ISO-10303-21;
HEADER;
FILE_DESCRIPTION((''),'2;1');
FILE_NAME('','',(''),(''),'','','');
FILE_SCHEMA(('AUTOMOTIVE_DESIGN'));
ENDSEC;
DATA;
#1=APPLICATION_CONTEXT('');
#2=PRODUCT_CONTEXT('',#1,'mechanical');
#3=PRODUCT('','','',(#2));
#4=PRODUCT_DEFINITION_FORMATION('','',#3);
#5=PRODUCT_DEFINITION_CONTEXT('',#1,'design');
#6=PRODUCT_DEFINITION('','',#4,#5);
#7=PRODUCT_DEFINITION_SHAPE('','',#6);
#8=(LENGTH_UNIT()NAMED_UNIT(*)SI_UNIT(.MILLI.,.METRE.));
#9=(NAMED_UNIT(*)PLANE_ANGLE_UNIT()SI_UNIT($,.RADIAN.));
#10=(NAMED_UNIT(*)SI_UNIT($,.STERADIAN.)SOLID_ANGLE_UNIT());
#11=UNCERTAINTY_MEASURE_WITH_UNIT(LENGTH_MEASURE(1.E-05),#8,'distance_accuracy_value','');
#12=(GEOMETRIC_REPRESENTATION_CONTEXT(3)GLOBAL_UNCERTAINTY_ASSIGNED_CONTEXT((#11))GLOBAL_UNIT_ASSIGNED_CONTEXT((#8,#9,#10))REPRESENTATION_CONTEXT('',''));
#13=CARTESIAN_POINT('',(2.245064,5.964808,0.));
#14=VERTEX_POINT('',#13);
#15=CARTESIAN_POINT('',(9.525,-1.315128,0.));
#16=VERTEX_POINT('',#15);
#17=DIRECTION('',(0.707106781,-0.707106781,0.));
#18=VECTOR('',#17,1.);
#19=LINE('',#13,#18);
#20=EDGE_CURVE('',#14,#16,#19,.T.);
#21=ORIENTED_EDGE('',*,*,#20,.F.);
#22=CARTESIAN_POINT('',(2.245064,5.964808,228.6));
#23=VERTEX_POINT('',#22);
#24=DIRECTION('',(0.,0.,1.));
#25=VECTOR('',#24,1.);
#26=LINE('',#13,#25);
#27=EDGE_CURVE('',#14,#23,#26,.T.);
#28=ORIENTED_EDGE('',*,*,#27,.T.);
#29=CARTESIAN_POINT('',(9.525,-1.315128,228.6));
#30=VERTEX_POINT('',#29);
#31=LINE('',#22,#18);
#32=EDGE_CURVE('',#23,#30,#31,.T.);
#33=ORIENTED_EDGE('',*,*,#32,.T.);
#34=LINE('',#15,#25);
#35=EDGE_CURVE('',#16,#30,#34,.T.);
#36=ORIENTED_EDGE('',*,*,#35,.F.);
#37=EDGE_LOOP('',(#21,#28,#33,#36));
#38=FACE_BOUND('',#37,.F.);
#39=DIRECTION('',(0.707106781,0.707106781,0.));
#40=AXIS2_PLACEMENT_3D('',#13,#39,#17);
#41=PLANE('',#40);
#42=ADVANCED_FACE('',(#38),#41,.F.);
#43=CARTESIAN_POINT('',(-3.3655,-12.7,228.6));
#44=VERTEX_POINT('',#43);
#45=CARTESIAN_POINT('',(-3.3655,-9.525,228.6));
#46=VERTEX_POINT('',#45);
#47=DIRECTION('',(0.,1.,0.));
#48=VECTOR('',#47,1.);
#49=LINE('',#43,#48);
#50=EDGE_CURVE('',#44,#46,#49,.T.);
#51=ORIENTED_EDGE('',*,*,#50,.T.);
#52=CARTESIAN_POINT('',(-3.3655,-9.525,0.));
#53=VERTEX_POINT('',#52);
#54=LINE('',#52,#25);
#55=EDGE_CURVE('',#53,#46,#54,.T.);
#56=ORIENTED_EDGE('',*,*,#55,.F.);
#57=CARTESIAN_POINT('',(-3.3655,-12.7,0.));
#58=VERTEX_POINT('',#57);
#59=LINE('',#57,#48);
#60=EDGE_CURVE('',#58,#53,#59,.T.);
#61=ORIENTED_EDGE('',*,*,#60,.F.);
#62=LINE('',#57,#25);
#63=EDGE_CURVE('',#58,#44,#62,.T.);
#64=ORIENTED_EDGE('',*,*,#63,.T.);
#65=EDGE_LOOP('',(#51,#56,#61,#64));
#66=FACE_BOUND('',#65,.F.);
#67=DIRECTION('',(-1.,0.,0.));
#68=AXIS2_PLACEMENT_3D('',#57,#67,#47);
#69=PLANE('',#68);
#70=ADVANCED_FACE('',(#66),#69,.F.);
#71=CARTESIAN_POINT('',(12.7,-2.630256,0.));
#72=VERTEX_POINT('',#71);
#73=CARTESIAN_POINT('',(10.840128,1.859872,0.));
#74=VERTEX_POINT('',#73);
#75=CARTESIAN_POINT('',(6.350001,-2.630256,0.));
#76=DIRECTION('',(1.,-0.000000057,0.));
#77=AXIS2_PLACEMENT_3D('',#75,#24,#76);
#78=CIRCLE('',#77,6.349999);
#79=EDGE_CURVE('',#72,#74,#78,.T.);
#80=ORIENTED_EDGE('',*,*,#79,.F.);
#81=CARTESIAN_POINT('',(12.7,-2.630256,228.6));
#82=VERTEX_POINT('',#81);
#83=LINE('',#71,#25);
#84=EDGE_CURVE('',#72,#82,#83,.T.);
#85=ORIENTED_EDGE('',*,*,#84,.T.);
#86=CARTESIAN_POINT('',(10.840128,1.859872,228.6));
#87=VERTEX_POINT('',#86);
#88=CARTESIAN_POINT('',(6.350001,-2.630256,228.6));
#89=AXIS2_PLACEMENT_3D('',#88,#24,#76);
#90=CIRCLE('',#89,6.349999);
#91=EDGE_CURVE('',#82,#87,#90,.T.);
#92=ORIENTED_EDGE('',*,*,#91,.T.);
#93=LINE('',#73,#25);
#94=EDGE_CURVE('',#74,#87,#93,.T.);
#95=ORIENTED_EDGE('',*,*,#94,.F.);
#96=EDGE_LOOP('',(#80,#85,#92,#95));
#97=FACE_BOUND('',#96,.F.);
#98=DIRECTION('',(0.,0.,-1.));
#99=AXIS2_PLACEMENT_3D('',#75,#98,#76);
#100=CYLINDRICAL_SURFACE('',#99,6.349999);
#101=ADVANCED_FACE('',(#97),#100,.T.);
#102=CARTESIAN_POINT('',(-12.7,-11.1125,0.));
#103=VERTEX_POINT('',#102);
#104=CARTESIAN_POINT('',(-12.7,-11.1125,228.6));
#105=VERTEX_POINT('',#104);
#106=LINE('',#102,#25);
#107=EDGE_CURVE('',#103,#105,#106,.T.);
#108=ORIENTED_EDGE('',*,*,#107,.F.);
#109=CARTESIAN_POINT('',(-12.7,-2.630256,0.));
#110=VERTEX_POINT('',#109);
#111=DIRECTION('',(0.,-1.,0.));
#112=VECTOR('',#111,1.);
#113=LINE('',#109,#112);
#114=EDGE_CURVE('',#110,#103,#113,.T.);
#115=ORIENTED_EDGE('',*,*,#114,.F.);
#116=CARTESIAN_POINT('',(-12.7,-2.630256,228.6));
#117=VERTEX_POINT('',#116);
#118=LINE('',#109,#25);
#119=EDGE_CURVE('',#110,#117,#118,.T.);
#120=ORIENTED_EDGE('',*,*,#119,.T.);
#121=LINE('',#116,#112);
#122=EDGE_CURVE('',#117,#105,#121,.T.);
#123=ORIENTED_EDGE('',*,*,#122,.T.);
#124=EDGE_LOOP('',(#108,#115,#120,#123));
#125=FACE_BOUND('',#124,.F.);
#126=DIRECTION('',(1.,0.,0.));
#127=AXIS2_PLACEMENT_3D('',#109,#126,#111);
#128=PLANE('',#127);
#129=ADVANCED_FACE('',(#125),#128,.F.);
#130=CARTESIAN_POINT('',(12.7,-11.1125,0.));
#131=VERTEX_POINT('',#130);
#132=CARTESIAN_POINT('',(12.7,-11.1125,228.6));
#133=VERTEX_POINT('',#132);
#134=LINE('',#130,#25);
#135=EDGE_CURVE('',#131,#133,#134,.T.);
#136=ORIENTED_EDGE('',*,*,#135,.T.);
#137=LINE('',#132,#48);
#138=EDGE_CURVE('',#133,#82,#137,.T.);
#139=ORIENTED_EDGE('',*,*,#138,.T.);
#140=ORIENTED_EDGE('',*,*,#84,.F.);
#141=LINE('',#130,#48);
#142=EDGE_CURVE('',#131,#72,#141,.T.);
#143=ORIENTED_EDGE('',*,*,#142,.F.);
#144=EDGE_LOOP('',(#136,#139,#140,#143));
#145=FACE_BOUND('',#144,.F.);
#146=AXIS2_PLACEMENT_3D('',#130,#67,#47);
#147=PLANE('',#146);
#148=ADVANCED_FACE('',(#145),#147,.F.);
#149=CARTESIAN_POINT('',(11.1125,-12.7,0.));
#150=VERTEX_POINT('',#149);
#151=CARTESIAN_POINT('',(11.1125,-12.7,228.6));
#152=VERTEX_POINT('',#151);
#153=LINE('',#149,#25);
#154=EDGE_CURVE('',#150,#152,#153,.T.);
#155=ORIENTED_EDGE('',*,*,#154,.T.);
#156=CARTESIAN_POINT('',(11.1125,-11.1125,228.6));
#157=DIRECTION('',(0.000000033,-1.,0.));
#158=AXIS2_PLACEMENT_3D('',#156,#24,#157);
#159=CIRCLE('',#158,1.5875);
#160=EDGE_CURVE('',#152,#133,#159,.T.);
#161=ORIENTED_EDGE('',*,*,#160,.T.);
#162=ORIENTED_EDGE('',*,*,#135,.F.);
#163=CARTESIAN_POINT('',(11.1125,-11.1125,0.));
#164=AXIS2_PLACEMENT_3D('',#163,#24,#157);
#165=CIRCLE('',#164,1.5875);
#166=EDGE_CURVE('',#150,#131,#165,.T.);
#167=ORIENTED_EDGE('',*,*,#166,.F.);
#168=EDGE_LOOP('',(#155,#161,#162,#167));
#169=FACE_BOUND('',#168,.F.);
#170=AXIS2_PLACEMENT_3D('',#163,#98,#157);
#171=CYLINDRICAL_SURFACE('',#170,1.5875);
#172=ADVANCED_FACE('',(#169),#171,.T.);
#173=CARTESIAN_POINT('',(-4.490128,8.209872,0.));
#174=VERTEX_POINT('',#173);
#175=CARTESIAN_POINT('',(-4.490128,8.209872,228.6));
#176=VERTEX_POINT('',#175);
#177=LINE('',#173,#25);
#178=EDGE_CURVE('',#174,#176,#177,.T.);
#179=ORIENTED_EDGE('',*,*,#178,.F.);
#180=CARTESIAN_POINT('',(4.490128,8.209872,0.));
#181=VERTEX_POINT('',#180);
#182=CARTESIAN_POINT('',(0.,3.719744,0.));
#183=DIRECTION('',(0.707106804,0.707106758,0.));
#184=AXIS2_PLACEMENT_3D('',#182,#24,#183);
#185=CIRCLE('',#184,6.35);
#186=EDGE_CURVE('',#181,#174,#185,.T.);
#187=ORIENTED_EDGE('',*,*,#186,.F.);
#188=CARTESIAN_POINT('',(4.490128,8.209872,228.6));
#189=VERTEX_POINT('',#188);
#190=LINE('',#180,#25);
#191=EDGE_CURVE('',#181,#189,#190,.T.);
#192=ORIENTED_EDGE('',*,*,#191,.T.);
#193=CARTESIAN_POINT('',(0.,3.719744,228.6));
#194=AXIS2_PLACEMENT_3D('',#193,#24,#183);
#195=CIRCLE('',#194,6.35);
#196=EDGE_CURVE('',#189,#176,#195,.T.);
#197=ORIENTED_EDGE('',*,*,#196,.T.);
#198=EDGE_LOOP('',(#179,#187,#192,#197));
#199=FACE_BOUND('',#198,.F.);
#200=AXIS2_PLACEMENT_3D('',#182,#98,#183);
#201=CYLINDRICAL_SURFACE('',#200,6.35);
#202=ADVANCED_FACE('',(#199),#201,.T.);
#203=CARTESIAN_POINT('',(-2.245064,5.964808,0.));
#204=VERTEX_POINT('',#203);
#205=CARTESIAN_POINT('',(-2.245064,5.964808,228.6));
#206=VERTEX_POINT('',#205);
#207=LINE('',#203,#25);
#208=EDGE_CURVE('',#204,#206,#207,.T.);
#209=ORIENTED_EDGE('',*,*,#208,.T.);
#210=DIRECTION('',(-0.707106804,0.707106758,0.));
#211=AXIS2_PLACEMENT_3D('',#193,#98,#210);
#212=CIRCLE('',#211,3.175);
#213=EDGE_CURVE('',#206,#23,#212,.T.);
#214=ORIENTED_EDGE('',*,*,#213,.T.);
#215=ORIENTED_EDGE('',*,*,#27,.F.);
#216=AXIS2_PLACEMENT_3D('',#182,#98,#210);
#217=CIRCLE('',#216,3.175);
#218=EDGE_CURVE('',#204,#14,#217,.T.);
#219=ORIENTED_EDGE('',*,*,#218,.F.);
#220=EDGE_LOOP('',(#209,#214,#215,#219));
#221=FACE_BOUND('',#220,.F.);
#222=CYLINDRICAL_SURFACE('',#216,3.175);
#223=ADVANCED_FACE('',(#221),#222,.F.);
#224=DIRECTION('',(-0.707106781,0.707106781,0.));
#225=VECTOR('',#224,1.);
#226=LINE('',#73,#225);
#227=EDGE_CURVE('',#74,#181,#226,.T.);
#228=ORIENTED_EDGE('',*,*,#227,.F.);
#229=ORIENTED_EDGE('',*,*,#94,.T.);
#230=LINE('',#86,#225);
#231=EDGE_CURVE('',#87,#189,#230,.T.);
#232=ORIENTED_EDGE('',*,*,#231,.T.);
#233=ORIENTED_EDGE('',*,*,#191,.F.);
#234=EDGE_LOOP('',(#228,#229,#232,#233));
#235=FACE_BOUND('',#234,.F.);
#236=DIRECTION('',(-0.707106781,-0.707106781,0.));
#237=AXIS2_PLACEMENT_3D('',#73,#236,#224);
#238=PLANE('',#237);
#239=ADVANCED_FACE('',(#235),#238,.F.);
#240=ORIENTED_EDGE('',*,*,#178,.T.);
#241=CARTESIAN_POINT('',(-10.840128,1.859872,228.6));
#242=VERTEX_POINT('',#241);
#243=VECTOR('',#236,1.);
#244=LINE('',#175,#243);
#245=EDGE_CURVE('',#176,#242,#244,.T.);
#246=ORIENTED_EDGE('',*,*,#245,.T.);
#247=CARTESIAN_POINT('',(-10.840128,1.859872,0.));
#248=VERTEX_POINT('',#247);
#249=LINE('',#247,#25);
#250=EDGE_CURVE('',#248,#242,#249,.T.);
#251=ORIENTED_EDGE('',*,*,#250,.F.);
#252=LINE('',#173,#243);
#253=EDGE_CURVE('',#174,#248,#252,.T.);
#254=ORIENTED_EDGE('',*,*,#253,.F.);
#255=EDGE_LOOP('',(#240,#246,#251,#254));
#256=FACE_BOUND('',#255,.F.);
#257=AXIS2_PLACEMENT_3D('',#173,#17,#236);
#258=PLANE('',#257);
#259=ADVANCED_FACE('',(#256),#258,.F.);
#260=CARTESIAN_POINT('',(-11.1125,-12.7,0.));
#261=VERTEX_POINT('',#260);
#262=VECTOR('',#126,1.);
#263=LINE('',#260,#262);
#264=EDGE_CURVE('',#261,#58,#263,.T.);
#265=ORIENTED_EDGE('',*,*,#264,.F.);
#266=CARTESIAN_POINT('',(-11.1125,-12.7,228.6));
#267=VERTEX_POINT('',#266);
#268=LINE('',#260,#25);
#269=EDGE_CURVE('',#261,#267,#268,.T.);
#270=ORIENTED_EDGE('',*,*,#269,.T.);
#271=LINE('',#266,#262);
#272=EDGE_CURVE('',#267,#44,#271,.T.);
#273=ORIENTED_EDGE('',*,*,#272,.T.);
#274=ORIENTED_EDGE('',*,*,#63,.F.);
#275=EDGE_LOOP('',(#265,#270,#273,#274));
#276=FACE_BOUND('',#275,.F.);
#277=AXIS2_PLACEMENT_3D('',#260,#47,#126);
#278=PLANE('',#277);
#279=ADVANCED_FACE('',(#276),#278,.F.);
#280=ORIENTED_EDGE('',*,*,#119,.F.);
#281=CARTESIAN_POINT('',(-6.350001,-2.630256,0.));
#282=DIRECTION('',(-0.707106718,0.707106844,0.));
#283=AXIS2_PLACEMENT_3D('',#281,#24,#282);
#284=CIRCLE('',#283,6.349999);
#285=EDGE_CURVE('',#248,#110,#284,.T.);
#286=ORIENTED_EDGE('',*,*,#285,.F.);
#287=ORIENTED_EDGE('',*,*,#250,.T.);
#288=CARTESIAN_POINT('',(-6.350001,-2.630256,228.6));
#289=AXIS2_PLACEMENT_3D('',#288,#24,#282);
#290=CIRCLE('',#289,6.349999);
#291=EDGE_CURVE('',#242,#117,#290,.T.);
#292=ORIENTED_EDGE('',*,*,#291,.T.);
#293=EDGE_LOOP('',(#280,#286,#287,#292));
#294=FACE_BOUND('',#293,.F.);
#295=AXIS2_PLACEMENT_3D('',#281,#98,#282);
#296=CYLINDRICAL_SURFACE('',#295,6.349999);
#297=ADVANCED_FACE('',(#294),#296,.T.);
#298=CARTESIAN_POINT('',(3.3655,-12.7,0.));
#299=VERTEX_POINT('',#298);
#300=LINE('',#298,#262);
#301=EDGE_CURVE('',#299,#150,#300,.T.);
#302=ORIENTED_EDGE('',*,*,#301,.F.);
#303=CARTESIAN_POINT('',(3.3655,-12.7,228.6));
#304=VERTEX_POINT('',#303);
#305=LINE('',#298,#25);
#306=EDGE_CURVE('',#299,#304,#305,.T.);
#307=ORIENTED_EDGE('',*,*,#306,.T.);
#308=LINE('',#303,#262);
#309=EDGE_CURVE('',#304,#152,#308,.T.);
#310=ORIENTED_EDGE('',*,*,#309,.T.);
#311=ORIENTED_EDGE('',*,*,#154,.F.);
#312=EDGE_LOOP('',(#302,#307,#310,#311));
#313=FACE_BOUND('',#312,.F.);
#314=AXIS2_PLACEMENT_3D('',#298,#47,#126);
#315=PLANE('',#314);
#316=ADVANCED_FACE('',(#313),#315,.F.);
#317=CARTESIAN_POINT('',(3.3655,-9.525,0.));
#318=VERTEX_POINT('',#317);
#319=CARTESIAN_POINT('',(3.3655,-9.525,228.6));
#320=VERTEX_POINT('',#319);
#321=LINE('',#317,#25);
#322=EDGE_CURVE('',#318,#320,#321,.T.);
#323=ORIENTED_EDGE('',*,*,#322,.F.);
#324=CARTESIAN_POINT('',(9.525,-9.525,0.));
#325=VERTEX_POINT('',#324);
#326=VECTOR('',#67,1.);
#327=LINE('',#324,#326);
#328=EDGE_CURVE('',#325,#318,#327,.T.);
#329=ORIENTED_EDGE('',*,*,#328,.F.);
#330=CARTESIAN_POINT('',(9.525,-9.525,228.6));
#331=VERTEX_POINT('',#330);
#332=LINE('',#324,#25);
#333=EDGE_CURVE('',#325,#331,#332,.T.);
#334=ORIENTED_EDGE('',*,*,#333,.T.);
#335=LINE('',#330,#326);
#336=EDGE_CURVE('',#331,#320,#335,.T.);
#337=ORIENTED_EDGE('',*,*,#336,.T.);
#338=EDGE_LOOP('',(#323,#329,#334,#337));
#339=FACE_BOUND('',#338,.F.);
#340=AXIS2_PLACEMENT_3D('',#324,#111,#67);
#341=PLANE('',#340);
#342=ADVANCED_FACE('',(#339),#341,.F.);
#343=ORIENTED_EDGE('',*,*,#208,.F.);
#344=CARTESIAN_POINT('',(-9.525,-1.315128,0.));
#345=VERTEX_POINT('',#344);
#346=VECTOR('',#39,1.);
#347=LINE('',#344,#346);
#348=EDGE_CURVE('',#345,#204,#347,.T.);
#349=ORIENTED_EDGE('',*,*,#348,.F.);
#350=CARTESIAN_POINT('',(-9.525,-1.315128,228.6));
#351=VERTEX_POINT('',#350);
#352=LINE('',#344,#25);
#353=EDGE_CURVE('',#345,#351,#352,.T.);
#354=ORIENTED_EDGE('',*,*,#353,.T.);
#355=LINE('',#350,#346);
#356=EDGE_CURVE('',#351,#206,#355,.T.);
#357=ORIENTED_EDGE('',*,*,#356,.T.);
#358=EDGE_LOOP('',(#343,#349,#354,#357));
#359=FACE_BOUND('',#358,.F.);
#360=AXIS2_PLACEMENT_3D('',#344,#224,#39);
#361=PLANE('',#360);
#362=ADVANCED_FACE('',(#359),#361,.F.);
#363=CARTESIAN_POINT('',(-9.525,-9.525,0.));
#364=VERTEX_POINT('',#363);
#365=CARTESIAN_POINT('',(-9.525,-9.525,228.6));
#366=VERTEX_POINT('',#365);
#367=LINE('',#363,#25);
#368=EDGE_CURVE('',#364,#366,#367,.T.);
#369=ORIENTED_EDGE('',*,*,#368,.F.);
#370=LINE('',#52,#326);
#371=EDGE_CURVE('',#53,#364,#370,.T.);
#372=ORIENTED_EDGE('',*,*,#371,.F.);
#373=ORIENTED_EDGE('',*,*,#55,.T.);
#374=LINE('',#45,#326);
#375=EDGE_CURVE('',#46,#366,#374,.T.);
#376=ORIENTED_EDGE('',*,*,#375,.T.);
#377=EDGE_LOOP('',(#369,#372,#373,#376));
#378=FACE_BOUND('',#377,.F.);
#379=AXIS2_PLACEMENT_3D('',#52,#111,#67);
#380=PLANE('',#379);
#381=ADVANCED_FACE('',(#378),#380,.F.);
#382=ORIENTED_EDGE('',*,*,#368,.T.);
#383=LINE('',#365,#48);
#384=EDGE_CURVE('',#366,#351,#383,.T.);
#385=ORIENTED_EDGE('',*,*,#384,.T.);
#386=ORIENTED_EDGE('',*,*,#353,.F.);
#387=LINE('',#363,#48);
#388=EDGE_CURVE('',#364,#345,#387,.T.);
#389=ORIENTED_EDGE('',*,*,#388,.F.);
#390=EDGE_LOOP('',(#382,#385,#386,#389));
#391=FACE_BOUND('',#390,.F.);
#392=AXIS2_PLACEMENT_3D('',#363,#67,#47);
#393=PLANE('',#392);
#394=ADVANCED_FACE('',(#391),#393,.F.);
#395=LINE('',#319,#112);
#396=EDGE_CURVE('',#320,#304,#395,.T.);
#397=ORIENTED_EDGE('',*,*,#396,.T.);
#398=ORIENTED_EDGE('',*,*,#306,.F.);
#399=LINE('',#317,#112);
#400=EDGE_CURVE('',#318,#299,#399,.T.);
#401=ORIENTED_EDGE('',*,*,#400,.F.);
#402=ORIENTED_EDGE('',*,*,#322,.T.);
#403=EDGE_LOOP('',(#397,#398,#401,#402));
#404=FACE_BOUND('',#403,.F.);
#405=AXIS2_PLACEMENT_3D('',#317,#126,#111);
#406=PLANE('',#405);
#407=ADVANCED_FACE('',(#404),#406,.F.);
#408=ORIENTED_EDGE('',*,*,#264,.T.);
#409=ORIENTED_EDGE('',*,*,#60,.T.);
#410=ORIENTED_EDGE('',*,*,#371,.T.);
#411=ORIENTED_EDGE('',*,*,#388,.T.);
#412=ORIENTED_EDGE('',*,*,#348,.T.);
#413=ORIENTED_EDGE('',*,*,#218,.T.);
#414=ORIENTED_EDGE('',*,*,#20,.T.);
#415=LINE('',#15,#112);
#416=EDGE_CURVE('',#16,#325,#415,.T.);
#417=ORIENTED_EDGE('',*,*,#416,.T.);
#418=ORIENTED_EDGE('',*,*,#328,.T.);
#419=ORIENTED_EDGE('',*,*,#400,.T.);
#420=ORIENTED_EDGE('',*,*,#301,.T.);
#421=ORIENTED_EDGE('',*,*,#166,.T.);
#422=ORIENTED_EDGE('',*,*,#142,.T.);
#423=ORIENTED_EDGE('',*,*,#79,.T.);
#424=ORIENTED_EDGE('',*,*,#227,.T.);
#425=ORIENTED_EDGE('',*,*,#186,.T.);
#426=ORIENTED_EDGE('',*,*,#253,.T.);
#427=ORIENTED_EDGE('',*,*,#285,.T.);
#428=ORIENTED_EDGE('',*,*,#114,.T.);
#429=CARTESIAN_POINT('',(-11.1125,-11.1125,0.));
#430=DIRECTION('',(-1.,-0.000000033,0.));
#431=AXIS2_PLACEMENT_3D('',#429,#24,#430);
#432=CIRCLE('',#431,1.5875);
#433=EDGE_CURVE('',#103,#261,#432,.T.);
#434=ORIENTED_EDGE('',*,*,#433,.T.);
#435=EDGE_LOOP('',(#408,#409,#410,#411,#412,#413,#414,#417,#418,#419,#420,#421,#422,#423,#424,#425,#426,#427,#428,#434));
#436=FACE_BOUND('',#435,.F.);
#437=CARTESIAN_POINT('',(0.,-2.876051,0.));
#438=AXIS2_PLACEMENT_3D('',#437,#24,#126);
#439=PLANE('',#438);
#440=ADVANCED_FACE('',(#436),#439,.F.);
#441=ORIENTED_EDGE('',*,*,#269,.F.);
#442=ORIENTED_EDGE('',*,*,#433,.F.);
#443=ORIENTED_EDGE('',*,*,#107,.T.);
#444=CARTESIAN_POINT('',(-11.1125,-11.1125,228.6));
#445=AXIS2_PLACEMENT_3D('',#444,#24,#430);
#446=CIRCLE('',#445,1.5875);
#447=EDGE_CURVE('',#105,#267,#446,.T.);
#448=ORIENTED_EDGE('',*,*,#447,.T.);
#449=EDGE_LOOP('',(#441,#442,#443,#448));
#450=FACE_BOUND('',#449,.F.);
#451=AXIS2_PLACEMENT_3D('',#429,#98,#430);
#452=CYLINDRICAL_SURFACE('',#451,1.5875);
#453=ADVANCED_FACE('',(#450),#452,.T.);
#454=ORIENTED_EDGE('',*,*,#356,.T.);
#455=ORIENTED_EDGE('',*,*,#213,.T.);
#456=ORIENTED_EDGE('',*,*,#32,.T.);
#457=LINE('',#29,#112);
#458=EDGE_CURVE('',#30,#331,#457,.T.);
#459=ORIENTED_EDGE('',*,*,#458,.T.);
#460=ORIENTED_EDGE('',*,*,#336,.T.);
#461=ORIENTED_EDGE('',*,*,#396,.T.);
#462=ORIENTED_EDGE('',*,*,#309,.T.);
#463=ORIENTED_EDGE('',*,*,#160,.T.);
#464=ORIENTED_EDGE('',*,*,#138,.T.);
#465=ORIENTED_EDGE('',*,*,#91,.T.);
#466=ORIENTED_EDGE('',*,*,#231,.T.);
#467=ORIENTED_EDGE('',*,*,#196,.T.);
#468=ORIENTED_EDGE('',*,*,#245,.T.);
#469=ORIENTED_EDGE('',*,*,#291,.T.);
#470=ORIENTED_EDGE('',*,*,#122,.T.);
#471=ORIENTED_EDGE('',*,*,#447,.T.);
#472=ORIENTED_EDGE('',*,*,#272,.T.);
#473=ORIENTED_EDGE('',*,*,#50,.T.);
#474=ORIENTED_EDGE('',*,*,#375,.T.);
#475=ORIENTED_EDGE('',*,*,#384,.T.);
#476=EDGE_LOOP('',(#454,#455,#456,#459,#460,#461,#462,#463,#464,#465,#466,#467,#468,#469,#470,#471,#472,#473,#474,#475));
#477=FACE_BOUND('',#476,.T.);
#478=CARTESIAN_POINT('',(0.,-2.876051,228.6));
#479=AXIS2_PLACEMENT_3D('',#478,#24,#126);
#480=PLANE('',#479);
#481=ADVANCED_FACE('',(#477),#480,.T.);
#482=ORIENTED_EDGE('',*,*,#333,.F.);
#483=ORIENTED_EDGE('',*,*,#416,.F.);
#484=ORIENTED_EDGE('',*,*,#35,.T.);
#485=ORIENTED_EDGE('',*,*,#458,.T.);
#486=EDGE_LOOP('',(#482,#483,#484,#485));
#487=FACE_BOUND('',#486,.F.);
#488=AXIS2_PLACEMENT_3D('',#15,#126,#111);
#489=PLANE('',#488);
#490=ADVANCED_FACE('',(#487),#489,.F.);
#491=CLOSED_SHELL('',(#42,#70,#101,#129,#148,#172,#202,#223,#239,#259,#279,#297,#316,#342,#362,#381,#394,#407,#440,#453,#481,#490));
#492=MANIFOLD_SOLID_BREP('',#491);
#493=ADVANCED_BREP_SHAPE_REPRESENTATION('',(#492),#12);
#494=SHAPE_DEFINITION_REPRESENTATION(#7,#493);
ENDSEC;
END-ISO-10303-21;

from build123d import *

# Parameters (mm, degrees)
F1_DEPTH = 228.6


with BuildPart() as f1:
    # F0 (on Top) → F1 (new body)
    with BuildSketch(Plane.XY):
        with BuildLine():
            ThreePointArc((-12.7, -11.1125), (-12.235032, -12.235032), (-11.1125, -12.7))
            Line((-11.1125, -12.7), (-3.3655, -12.7))
            Line((-3.3655, -12.7), (-3.3655, -9.525))
            Line((-3.3655, -9.525), (-9.525, -9.525))
            Line((-9.525, -9.525), (-9.525, -1.315128))
            Line((-9.525, -1.315128), (-2.245064, 5.964808))
            ThreePointArc((-2.245064, 5.964808), (0, 6.894744), (2.245064, 5.964808))
            Line((2.245064, 5.964808), (9.525, -1.315128))
            Line((9.525, -1.315128), (9.525, -9.525))
            Line((9.525, -9.525), (3.3655, -9.525))
            Line((3.3655, -9.525), (3.3655, -12.7))
            Line((3.3655, -12.7), (11.1125, -12.7))
            ThreePointArc((11.1125, -12.7), (12.235032, -12.235032), (12.7, -11.1125))
            Line((12.7, -11.1125), (12.7, -2.630256))
            ThreePointArc((12.7, -2.630256), (12.216635, -0.200216), (10.840128, 1.859872))
            Line((10.840128, 1.859872), (4.490128, 8.209872))
            ThreePointArc((4.490128, 8.209872), (0, 10.069744), (-4.490128, 8.209872))
            Line((-4.490128, 8.209872), (-10.840128, 1.859872))
            ThreePointArc((-10.840128, 1.859872), (-12.216635, -0.200216), (-12.7, -2.630256))
            Line((-12.7, -2.630256), (-12.7, -11.1125))
        make_face()
    extrude(amount=F1_DEPTH)


solid = f1.part
